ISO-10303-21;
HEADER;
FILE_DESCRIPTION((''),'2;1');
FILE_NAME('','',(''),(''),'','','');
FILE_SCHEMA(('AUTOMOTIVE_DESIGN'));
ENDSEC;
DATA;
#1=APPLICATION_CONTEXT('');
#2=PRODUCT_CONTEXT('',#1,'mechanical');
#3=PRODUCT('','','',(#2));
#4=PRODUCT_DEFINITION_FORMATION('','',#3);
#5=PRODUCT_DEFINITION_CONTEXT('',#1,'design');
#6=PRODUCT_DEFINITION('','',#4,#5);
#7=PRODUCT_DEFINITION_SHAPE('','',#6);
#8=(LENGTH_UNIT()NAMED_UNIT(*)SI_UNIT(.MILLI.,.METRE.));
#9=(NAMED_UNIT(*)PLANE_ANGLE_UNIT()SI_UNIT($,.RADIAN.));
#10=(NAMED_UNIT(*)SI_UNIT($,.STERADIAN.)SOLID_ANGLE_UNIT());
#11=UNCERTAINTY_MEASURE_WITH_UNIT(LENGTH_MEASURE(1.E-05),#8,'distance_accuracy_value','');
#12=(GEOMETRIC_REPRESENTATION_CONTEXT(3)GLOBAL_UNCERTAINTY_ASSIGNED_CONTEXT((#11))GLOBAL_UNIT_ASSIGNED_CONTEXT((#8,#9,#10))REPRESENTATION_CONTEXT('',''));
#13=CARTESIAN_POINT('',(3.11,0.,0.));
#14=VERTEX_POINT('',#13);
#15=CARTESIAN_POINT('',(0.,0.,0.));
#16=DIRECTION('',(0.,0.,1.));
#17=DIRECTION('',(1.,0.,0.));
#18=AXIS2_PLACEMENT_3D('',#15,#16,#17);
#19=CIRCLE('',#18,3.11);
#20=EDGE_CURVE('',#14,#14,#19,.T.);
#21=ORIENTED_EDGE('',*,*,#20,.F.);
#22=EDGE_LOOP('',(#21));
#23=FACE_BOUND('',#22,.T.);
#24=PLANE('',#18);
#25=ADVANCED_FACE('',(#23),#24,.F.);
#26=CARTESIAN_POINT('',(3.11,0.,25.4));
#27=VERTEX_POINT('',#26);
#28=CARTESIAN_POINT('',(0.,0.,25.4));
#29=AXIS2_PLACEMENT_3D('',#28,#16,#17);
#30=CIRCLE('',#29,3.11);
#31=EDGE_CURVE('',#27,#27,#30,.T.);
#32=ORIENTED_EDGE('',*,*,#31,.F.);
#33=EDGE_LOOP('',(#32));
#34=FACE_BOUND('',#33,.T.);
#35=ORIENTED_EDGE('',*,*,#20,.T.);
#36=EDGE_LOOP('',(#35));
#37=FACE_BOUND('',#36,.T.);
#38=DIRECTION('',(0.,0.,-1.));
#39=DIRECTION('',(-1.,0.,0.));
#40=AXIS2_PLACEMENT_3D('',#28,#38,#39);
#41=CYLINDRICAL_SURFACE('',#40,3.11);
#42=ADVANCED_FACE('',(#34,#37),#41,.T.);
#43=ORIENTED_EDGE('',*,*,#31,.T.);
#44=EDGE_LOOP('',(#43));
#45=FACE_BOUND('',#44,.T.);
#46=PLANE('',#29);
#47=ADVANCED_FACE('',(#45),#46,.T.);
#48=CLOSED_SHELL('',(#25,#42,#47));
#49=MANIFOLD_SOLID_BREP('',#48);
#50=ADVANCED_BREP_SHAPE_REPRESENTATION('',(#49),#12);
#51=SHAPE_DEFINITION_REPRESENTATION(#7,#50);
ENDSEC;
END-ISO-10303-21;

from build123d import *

# Parameters (mm, degrees)
ESQUISSE1_R      = 3.11
EXTRUSION1_DEPTH = 25.4


with BuildPart() as part:
    # Esquisse1 → Extrusion1 (new body)
    with BuildSketch(Plane.XY):
        Circle(ESQUISSE1_R)
    extrude(amount=EXTRUSION1_DEPTH)


solid = part.part
